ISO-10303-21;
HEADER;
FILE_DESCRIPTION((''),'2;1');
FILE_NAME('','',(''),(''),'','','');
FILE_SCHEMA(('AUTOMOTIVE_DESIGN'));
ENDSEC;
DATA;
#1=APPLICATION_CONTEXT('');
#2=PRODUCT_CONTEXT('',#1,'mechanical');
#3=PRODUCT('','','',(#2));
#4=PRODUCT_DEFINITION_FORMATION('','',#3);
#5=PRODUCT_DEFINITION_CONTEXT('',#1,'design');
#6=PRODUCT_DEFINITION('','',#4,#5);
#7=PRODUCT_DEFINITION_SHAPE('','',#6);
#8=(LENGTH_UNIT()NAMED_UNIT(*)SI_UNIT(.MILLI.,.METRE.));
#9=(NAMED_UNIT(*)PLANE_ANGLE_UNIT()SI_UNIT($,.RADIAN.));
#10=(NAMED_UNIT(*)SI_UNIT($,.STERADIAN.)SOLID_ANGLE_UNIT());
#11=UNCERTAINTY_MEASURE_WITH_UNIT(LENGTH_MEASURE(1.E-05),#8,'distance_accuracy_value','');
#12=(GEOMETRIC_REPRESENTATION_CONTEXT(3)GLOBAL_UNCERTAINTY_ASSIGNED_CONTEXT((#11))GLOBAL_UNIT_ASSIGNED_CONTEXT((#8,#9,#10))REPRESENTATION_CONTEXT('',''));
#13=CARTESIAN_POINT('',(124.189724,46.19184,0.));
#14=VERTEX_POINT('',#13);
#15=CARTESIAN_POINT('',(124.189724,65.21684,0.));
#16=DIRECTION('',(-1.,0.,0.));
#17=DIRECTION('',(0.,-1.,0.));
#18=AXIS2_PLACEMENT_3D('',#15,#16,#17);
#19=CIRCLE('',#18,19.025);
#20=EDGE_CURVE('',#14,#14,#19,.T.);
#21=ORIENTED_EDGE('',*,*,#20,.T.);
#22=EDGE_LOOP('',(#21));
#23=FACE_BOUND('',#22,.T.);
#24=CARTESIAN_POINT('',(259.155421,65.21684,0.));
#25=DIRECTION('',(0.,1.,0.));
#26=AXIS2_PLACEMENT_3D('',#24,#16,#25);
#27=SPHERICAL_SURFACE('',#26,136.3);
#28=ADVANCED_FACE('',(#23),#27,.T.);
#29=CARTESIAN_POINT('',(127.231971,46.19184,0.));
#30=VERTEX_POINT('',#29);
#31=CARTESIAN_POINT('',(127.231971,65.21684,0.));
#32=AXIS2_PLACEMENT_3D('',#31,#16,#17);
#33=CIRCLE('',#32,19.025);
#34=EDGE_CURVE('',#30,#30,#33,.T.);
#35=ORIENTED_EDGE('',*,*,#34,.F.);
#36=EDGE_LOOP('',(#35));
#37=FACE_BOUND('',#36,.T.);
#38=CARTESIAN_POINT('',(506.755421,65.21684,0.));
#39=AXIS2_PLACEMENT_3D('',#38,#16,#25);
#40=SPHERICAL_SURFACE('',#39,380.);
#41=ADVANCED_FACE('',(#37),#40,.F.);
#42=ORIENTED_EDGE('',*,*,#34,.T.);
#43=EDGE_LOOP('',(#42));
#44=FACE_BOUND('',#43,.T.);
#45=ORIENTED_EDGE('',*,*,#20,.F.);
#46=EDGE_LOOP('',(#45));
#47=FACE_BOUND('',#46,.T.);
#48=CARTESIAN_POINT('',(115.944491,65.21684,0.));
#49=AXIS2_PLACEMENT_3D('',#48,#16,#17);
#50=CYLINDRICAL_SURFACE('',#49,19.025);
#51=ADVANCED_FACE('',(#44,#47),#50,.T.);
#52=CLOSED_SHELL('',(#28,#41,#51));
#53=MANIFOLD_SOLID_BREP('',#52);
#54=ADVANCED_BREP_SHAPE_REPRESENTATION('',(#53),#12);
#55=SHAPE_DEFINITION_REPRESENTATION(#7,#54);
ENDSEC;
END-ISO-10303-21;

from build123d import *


with BuildPart() as part:
    # 草图1 → 旋转1 (revolve)
    with BuildSketch(Plane.XY):
        with BuildLine():
            Line((124.189724285, 84.241840471), (127.231970953, 84.241840471))
            ThreePointArc((127.231970953, 84.241840471), (126.874577407, 74.732324228), (126.755421316, 65.216840471))
            Line((126.755421316, 65.216840471), (122.855421316, 65.216840471))
            ThreePointArc((122.855421316, 65.216840471), (123.189406251, 74.752706837), (124.189724285, 84.241840471))
        make_face()
    revolve(axis=Axis((115.944491298, 65.216840471, 0), (1, 0, 0)))


solid = part.part
